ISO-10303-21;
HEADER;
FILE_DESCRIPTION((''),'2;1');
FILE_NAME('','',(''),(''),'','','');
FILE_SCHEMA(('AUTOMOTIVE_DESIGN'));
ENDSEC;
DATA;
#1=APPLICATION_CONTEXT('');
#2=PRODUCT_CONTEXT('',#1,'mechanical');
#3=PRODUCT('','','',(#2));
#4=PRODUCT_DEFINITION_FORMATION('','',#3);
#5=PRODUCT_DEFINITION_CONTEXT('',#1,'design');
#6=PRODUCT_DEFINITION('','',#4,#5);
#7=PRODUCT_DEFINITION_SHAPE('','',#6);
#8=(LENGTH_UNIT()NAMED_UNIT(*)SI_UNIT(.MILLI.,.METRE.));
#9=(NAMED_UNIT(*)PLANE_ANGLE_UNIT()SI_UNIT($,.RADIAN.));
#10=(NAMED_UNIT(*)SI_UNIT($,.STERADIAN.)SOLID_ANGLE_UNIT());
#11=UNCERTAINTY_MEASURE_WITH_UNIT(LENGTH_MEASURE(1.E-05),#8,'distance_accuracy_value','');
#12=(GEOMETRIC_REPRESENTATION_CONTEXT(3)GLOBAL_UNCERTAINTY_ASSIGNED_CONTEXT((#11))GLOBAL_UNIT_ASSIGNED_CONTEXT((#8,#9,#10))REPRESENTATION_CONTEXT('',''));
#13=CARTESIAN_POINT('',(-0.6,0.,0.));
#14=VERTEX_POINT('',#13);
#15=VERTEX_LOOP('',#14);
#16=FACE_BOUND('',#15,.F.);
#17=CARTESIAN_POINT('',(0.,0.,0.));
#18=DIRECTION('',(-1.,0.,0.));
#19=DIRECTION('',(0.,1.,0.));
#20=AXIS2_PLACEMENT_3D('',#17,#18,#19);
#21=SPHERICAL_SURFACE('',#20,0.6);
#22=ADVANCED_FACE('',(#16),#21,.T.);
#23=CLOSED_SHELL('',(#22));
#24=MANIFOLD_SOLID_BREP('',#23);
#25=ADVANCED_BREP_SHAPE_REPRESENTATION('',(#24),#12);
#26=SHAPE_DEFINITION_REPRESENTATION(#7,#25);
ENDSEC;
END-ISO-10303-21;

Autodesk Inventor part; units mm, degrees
sketch "Sketch_1" plane through (0, 0, 0) normal (0, 0, 1) x (1, 0, 0)
  line L0 (0.6, 0) -> (-0.6, 0)
  arc A0 (0.6, 0) -> (-0.6, 0) centre (0, 0) ccw
  line L1 (0.6, 0) -> (-0.6, 0)
revolve "Revolution1" add sketch "Sketch_1" angle 360 about axis through (0.6, 0, 0) along (1, 0, 0)
ref_plane "ip_st_1_XY" through (0, 0, 0) normal (-1, 0, 0) x (0, 0, -1)
ref_plane "ip_st_1_YZ" through (0, 0, 0) normal (0, 0, -1) x (0, -1, 0)
ref_plane "ip_st_1_ZX" through (0, 0, 0) normal (0, -1, 0) x (-1, 0, 0)
properties part number "MF106ZZ1 Ball"
